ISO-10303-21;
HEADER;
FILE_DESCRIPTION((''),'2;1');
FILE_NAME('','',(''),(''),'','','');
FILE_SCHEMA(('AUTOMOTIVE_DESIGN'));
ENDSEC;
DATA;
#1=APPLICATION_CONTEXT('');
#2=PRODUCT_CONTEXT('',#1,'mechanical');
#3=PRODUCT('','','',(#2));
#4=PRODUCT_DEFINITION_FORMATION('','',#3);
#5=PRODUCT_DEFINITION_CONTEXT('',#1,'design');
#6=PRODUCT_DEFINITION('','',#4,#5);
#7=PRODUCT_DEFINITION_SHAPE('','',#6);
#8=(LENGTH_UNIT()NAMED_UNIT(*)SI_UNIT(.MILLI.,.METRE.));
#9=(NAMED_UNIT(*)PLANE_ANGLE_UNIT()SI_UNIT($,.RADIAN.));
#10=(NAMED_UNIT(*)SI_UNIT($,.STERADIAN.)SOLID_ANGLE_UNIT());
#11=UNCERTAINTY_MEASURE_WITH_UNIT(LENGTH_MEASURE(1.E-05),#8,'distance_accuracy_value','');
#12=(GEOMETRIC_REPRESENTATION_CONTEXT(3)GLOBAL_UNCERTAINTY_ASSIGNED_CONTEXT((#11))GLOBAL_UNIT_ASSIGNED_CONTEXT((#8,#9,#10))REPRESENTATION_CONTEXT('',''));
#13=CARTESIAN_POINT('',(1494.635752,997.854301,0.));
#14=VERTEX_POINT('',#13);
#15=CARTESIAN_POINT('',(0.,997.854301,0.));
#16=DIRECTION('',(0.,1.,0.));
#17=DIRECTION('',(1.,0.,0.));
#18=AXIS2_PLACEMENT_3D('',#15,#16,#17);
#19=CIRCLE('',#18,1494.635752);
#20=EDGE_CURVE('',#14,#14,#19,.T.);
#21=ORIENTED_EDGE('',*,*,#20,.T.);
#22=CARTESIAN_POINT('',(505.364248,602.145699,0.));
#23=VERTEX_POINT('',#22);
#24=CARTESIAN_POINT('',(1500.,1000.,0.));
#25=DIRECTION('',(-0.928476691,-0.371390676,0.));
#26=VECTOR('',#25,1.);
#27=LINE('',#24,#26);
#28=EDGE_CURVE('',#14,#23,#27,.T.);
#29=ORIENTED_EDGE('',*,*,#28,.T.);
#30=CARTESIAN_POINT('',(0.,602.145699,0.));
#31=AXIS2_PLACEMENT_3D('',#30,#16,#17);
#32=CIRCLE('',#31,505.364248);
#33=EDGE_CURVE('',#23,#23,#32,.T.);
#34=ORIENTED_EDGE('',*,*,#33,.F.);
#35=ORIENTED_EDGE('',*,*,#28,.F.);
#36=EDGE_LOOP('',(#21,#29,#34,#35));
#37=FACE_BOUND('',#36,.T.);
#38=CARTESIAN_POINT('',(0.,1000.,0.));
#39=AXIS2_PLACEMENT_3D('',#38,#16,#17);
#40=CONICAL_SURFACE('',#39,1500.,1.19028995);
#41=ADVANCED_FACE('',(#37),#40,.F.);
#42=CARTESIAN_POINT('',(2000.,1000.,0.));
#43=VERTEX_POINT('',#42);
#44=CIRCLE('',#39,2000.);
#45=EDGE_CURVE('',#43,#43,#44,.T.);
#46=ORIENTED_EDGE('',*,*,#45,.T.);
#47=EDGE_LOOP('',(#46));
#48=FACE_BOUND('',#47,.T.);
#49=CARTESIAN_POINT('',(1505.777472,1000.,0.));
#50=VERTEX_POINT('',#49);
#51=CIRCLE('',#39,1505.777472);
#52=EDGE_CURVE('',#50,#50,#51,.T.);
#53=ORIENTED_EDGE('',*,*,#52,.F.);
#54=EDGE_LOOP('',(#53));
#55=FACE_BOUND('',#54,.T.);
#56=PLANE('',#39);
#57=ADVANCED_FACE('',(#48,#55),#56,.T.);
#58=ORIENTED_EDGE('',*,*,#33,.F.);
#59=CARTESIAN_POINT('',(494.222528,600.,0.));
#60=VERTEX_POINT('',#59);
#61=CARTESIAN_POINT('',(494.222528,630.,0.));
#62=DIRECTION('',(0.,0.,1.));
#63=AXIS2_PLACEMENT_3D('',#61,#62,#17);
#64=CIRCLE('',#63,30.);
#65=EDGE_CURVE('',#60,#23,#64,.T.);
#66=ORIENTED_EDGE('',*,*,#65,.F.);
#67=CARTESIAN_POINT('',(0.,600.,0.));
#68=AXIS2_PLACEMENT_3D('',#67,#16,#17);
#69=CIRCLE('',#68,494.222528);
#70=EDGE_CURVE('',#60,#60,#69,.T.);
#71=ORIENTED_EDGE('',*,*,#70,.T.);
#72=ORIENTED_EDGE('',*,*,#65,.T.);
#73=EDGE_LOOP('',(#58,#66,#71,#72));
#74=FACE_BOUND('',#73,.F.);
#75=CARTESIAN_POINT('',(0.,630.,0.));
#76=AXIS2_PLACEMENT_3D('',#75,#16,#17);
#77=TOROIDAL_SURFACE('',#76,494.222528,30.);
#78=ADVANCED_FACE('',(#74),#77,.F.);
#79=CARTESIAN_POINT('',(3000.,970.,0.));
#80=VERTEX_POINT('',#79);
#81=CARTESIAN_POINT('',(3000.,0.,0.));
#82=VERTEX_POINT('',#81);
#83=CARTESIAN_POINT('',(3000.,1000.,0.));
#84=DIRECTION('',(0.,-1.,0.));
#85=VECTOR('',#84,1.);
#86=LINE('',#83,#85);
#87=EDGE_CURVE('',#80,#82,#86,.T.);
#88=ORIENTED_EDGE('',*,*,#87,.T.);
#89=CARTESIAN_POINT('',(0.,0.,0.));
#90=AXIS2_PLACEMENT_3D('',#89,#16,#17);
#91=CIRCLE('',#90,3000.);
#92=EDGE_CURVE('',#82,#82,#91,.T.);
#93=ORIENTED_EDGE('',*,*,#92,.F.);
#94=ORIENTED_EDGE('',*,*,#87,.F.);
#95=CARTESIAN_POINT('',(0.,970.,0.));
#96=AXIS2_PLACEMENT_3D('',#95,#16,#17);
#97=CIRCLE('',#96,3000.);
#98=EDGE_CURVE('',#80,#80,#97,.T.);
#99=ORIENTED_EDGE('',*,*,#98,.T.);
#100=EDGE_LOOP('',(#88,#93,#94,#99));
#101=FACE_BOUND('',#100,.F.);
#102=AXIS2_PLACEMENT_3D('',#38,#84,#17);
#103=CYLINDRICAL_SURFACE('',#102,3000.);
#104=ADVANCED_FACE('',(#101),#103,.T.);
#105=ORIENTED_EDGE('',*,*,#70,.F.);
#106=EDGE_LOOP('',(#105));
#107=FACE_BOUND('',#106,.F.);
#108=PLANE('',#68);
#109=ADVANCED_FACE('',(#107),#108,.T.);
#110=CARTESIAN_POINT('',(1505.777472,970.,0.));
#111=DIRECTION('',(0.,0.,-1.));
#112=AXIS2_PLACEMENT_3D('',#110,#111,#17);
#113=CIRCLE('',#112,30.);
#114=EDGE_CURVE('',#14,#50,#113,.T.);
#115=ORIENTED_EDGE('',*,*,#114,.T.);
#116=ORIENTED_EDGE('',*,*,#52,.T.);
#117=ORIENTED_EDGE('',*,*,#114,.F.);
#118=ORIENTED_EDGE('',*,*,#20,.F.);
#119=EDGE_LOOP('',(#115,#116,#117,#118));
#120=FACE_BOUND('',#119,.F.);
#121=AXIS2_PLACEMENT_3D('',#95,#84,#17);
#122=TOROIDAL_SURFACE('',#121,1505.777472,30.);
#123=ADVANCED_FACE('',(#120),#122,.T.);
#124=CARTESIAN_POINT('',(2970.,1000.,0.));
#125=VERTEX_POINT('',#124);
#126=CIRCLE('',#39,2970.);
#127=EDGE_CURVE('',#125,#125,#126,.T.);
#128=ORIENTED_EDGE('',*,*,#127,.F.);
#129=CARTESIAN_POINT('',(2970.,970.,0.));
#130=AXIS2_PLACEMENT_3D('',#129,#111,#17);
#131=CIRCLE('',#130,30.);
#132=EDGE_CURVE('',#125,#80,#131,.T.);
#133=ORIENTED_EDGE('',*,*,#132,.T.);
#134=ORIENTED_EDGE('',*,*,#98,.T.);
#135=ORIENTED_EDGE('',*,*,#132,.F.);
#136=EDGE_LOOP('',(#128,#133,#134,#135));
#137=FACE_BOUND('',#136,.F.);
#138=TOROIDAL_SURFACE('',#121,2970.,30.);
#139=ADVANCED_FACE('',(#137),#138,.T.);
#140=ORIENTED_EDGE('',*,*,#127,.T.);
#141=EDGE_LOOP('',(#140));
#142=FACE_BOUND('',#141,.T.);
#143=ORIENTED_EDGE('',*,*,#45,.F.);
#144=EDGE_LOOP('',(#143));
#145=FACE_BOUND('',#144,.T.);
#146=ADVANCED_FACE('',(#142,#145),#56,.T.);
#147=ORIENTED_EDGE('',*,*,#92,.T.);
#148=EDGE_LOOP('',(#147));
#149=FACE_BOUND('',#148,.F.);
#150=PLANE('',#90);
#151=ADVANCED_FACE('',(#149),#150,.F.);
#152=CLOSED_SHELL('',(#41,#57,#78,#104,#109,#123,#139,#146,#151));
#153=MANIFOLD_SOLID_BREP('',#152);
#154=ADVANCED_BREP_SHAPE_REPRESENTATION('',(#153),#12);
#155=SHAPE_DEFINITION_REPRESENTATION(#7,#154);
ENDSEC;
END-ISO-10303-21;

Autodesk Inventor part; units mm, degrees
ref_plane "YZ Plane" through (0, 0, 0) normal (1, 0, 0) x (0, 1, 0)
ref_plane "XZ Plane" through (0, 0, 0) normal (0, 1, 0) x (-1, 0, 0)
ref_plane "XY Plane" through (0, 0, 0) normal (0, 0, 1) x (1, 0, 0)
sketch "Boceto1" plane through (0, 0, 0) normal (0, 0, 1) x (1, 0, 0)
  line L0 (0, 0) -> (0, 1000)
  line L1 (3000, 1000) -> (3000, 0)
  line L2 (3000, 0) -> (0, 0)
  line L3 (3000, 1000) -> (2000, 1000)
  line L4 (0, 600) -> (500, 600)
  line L5 (2000, 1000) -> (1500, 1000)
  line L6 (1500, 1000) -> (500, 600)
  dimension "d0" = 1000
  dimension "d1" = 3000
  dimension "d2" = 1000
  dimension "d4" = 500
  dimension "d5" = 500
revolve "Revolución1" add sketch "Boceto1" angle 360 about axis through (0, 0, 0) along (0, 1, 0)
fillet "Empalme1" radius 30 1 edges at (-500, 600, 0)
fillet "Empalme2" radius 30 1 edges at (-1500, 1000, 0)
fillet "Empalme3" radius 30 1 edges at (-3000, 1000, 0)
properties part number "PARTE_SUPERIOR_BALSA_FLOTABILIDAD_UNIDMOTRIZVALPO"
